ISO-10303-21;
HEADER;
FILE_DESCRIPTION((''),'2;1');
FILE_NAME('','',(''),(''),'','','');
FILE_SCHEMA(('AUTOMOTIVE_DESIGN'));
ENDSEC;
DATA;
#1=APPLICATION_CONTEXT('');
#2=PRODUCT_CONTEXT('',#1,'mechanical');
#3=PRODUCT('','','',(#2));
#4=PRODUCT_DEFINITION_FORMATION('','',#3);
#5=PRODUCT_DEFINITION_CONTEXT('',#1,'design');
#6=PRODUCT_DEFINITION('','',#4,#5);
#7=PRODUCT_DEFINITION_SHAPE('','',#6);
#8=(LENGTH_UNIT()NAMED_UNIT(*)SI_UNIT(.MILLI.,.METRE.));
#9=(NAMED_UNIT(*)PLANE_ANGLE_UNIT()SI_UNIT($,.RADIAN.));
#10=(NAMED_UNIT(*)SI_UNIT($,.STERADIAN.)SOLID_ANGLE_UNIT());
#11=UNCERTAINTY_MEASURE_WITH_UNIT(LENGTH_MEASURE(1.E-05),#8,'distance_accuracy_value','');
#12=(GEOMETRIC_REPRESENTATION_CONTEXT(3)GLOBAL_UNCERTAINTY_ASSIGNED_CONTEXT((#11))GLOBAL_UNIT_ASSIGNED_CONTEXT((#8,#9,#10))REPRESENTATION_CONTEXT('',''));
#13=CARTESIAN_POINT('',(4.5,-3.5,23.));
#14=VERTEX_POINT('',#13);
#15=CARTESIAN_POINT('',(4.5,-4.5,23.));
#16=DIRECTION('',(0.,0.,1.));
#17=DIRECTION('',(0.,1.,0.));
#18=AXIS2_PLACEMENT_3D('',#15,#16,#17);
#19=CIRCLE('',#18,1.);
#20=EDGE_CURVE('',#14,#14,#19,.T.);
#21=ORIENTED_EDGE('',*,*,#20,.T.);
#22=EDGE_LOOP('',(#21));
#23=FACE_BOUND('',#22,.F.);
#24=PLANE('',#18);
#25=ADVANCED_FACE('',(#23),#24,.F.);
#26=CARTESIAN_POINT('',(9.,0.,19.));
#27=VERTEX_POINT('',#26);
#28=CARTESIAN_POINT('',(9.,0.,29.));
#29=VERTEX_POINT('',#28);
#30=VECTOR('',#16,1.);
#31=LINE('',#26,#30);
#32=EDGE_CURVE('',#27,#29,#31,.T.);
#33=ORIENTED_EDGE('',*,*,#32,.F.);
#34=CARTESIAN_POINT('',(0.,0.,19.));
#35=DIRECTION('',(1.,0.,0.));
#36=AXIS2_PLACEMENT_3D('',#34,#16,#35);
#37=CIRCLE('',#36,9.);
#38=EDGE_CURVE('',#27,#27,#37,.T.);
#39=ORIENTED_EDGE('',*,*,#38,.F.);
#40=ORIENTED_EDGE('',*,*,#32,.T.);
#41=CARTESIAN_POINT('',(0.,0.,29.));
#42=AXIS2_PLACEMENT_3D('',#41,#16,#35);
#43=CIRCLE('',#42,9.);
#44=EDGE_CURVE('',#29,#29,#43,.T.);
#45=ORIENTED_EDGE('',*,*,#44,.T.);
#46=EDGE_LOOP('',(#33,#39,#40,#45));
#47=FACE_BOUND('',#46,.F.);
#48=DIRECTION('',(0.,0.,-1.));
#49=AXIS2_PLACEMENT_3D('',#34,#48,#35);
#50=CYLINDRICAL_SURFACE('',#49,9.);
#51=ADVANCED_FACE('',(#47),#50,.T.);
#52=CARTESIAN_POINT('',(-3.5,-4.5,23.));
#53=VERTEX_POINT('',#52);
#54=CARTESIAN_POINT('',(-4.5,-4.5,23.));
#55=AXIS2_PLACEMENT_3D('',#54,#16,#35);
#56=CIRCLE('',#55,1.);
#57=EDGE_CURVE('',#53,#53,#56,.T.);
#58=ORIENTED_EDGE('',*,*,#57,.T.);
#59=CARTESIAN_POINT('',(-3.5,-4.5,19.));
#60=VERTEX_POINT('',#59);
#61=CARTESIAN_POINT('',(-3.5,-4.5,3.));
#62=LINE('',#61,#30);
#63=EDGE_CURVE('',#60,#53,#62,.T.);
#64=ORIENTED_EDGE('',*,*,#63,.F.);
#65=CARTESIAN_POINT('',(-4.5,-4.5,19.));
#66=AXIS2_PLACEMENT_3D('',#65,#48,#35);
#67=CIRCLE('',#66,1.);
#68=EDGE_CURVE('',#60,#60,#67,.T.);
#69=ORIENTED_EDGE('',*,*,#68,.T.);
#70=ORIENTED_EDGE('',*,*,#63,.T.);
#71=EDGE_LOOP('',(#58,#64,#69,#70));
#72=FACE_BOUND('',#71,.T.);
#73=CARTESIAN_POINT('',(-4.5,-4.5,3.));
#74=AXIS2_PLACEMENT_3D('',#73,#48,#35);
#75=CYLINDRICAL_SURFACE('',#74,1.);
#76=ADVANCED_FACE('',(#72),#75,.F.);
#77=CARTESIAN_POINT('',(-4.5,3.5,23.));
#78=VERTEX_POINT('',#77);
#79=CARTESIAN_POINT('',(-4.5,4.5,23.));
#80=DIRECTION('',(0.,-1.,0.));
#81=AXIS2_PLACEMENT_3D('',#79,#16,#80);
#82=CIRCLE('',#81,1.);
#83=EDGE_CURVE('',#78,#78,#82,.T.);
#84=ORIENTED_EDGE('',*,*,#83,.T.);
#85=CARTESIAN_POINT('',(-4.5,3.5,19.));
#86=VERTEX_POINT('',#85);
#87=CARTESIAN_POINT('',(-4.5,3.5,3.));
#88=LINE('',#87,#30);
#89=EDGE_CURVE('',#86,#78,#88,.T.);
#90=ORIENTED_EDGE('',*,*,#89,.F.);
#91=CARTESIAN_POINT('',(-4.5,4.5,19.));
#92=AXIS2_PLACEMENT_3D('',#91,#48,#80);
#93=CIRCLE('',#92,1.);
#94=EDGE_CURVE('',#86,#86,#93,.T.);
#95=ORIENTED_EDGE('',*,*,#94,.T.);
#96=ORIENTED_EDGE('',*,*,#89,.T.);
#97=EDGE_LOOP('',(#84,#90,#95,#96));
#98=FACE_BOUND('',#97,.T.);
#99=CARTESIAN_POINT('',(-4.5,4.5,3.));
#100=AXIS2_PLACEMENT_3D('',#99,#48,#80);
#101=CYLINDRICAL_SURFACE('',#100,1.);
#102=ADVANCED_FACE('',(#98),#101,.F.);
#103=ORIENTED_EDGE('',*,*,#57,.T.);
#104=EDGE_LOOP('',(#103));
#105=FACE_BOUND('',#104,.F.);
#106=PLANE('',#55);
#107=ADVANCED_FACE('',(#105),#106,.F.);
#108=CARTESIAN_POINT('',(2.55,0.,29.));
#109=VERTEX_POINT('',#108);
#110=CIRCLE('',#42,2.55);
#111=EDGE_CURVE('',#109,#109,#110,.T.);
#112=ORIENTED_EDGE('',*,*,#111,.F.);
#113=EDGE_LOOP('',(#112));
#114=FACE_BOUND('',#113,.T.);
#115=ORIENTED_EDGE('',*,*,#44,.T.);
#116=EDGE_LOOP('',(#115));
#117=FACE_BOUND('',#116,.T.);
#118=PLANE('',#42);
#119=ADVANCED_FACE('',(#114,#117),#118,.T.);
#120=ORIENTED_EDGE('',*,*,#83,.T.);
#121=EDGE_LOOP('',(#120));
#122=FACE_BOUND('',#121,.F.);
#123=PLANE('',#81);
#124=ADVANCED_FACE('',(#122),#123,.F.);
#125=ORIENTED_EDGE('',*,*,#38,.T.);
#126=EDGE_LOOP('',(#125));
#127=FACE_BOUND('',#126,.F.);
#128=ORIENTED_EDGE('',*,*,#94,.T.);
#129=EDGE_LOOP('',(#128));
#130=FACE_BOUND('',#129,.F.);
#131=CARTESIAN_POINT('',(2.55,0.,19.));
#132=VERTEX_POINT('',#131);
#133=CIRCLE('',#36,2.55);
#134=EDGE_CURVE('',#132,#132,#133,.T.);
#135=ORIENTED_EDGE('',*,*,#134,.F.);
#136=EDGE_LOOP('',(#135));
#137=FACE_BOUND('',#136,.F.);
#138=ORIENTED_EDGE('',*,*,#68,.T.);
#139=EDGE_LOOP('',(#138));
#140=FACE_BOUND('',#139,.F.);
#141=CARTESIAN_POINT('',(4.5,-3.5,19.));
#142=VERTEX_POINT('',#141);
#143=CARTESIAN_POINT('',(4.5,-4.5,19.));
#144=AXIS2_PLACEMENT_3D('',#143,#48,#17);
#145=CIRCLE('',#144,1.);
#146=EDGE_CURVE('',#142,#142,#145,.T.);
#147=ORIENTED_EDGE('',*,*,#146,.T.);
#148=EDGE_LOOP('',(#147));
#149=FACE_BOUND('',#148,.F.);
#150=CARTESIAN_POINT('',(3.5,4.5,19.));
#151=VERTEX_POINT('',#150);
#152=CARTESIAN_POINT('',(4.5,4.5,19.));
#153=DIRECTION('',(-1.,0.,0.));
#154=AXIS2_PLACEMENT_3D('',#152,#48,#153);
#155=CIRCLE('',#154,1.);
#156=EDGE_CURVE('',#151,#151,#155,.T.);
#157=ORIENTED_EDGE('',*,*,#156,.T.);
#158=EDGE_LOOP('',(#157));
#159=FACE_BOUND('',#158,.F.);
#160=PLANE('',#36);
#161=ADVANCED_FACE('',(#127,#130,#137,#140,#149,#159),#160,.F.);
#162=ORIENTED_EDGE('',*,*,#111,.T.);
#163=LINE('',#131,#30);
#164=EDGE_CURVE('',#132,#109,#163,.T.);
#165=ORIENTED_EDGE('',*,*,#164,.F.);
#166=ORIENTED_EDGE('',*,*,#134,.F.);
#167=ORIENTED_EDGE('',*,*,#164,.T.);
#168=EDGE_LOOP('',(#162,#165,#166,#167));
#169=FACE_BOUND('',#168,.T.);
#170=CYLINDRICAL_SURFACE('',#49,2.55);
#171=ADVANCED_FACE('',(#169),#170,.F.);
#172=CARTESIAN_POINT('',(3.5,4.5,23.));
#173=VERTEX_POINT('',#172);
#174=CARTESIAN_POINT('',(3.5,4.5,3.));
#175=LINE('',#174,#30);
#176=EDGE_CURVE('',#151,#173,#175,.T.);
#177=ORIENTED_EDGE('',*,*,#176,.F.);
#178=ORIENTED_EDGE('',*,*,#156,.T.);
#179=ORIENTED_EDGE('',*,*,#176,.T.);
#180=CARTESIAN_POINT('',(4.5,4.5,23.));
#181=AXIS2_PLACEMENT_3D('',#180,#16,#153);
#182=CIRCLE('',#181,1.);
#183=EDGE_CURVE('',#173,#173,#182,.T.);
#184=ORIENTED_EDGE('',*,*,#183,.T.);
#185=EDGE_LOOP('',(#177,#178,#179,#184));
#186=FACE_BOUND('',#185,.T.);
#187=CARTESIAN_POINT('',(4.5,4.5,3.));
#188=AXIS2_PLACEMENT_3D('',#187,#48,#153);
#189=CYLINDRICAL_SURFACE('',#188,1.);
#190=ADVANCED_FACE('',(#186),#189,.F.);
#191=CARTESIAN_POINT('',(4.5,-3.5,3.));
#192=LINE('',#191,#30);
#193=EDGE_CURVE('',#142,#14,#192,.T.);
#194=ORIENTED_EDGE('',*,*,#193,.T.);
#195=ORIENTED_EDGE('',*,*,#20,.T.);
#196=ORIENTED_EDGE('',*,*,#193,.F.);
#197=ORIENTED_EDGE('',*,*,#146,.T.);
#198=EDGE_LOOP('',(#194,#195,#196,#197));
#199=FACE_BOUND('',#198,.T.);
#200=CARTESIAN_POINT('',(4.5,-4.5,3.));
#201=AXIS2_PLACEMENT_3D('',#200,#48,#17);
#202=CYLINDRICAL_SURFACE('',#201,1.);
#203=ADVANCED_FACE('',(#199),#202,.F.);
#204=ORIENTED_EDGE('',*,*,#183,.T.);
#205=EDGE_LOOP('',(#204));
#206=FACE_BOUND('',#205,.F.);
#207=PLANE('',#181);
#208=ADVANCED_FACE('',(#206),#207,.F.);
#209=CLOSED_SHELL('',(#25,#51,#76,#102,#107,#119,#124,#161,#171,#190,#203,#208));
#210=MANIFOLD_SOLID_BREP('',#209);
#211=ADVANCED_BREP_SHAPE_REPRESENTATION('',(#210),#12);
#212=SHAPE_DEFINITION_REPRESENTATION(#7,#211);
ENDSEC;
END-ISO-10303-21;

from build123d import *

# Parameters (mm, degrees)
CYLINDER980_R     = 1
CYLINDER980_DEPTH = 20
CYLINDER977_R     = 1
CYLINDER977_DEPTH = 20
CYLINDER976_R     = 1
CYLINDER976_DEPTH = 20
CYLINDER979_R     = 1
CYLINDER979_DEPTH = 20
TUBE089_R         = 9
TUBE089_R_2       = 2.55
TUBE089_DEPTH     = 10


with BuildPart() as v_lec980:
    # Cylinder980 → Cylinder980 (new body)
    with BuildSketch(Plane(origin=(4.5, -4.5, -88), x_dir=(0, 1, 0), z_dir=(0, 0, 1))):
        Circle(CYLINDER980_R)
    extrude(amount=CYLINDER980_DEPTH)


with BuildPart() as v_lec977:
    # Cylinder977 → Cylinder977 (new body)
    with BuildSketch(Plane(origin=(4.5, 4.5, -88), x_dir=(-1, 0, 0), z_dir=(0, 0, 1))):
        Circle(CYLINDER977_R)
    extrude(amount=CYLINDER977_DEPTH)


with BuildPart() as v_lec976:
    # Cylinder976 → Cylinder976 (new body)
    with BuildSketch(Plane(origin=(-4.5, 4.5, -88), x_dir=(0, -1, 0), z_dir=(0, 0, 1))):
        Circle(CYLINDER976_R)
    extrude(amount=CYLINDER976_DEPTH)


with BuildPart() as compound809:
    # Cylinder979 → Cylinder979 (new body)
    with BuildSketch(Plane(origin=(-4.5, -4.5, -88), x_dir=(1, 0, 0), z_dir=(0, 0, 1))):
        Circle(CYLINDER979_R)
    extrude(amount=CYLINDER979_DEPTH)

    # Compound809: union Válec980, Válec977, Válec976
    add(v_lec980.part)
    add(v_lec977.part)
    add(v_lec976.part)


with BuildPart() as compound809_1:
    # Compound809 placement: moved
    add(compound809.part.moved(Location((0, 0, 91))))


with BuildPart() as cut413:
    # Tube089 → Tube089 (new body)
    with BuildSketch(Plane.XY.offset(19)):
        Circle(TUBE089_R)
        Circle(TUBE089_R_2, mode=Mode.SUBTRACT)
    extrude(amount=TUBE089_DEPTH)

    # Cut413: cut Compound809
    add(compound809_1.part, mode=Mode.SUBTRACT)


solid = cut413.part
